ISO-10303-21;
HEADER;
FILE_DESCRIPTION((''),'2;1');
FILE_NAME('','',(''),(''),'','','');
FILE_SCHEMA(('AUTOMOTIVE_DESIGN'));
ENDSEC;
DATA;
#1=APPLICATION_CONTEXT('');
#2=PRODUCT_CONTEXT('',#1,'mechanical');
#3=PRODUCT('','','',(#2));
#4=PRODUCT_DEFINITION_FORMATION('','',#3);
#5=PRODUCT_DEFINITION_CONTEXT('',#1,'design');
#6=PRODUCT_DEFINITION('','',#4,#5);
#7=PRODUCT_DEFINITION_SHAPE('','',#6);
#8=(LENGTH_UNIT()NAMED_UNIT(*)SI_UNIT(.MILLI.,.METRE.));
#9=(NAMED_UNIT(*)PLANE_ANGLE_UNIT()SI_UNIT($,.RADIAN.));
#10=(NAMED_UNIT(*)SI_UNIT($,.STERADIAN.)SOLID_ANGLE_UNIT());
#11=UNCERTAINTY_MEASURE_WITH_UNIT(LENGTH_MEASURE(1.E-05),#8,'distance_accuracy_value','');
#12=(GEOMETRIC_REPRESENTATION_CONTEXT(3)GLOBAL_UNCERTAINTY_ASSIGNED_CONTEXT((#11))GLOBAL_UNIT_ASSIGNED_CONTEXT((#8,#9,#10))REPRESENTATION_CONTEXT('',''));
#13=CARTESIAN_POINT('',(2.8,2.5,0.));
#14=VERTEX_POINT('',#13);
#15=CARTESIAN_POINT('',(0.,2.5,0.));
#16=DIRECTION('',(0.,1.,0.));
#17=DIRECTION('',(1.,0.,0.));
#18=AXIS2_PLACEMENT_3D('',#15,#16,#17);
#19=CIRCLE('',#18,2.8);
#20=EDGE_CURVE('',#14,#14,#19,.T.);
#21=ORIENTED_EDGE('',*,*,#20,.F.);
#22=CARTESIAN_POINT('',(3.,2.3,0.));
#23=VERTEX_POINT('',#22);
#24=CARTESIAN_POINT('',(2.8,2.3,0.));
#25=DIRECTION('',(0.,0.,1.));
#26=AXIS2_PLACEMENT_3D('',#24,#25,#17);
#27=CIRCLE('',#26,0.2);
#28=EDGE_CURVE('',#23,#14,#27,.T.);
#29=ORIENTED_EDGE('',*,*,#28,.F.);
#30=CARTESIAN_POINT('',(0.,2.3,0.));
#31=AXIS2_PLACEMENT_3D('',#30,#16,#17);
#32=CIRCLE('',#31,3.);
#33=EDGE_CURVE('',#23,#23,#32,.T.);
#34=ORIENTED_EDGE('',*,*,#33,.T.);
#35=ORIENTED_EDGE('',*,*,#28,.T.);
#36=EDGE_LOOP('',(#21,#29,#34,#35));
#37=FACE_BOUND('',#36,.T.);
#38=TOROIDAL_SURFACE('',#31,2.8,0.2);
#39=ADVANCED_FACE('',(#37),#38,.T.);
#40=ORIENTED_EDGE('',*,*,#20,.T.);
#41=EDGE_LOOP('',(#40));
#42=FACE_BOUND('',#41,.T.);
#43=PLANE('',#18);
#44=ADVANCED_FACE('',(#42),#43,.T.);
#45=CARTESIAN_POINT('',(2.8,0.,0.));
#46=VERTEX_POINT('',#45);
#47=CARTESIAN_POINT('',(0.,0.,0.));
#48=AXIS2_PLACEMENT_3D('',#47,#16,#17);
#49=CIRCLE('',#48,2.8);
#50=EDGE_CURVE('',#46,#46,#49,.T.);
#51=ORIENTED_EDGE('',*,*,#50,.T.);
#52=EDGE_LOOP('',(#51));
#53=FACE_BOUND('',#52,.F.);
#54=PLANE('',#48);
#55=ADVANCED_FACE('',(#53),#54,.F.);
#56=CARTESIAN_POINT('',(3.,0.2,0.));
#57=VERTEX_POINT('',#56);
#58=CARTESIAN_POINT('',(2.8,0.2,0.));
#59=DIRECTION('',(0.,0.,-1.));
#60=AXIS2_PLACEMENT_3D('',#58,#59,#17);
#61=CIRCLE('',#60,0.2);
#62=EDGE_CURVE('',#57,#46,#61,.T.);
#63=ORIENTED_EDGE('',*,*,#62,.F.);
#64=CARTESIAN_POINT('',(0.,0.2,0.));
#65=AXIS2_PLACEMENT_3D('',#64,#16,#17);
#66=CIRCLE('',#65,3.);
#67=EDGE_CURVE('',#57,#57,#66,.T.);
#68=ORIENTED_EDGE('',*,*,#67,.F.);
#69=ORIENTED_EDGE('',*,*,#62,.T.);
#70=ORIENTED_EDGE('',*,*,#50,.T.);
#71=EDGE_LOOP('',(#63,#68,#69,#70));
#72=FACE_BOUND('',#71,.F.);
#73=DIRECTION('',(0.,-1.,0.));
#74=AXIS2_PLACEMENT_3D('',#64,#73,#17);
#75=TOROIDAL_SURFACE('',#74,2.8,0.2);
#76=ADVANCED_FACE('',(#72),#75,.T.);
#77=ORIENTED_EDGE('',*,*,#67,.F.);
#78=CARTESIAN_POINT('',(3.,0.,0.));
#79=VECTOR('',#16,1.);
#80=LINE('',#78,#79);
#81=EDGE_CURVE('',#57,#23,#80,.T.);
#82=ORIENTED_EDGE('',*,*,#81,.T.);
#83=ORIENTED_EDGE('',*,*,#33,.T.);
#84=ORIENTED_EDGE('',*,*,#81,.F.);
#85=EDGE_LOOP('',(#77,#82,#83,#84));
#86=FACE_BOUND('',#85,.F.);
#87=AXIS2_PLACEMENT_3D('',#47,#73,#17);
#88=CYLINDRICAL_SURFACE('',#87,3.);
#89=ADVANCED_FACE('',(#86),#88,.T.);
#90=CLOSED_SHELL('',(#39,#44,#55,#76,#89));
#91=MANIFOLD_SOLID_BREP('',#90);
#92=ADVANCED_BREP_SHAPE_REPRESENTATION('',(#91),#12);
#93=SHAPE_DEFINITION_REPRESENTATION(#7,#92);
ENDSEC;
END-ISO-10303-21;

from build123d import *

# Parameters (mm, degrees)
SKETCH_1_R      = 3
EXTRUDE_1_DEPTH = 2.5
FILLET_1_R      = 0.2


with BuildPart() as part:
    # 草图1 → 凸台-拉伸1 (new body)
    with BuildSketch(Plane(origin=(0, 0, 0), x_dir=(1, 0, 0), z_dir=(0, 1, 0))):
        Circle(SKETCH_1_R)
    extrude(amount=EXTRUDE_1_DEPTH)

    # 圆角1
    fillet_1_edges = [part.edges().sort_by_distance(p)[0] for p in [
        (-3, 0, 0),
        (-3, 2.5, 0),
    ]]
    fillet(fillet_1_edges, radius=FILLET_1_R)


solid = part.part
